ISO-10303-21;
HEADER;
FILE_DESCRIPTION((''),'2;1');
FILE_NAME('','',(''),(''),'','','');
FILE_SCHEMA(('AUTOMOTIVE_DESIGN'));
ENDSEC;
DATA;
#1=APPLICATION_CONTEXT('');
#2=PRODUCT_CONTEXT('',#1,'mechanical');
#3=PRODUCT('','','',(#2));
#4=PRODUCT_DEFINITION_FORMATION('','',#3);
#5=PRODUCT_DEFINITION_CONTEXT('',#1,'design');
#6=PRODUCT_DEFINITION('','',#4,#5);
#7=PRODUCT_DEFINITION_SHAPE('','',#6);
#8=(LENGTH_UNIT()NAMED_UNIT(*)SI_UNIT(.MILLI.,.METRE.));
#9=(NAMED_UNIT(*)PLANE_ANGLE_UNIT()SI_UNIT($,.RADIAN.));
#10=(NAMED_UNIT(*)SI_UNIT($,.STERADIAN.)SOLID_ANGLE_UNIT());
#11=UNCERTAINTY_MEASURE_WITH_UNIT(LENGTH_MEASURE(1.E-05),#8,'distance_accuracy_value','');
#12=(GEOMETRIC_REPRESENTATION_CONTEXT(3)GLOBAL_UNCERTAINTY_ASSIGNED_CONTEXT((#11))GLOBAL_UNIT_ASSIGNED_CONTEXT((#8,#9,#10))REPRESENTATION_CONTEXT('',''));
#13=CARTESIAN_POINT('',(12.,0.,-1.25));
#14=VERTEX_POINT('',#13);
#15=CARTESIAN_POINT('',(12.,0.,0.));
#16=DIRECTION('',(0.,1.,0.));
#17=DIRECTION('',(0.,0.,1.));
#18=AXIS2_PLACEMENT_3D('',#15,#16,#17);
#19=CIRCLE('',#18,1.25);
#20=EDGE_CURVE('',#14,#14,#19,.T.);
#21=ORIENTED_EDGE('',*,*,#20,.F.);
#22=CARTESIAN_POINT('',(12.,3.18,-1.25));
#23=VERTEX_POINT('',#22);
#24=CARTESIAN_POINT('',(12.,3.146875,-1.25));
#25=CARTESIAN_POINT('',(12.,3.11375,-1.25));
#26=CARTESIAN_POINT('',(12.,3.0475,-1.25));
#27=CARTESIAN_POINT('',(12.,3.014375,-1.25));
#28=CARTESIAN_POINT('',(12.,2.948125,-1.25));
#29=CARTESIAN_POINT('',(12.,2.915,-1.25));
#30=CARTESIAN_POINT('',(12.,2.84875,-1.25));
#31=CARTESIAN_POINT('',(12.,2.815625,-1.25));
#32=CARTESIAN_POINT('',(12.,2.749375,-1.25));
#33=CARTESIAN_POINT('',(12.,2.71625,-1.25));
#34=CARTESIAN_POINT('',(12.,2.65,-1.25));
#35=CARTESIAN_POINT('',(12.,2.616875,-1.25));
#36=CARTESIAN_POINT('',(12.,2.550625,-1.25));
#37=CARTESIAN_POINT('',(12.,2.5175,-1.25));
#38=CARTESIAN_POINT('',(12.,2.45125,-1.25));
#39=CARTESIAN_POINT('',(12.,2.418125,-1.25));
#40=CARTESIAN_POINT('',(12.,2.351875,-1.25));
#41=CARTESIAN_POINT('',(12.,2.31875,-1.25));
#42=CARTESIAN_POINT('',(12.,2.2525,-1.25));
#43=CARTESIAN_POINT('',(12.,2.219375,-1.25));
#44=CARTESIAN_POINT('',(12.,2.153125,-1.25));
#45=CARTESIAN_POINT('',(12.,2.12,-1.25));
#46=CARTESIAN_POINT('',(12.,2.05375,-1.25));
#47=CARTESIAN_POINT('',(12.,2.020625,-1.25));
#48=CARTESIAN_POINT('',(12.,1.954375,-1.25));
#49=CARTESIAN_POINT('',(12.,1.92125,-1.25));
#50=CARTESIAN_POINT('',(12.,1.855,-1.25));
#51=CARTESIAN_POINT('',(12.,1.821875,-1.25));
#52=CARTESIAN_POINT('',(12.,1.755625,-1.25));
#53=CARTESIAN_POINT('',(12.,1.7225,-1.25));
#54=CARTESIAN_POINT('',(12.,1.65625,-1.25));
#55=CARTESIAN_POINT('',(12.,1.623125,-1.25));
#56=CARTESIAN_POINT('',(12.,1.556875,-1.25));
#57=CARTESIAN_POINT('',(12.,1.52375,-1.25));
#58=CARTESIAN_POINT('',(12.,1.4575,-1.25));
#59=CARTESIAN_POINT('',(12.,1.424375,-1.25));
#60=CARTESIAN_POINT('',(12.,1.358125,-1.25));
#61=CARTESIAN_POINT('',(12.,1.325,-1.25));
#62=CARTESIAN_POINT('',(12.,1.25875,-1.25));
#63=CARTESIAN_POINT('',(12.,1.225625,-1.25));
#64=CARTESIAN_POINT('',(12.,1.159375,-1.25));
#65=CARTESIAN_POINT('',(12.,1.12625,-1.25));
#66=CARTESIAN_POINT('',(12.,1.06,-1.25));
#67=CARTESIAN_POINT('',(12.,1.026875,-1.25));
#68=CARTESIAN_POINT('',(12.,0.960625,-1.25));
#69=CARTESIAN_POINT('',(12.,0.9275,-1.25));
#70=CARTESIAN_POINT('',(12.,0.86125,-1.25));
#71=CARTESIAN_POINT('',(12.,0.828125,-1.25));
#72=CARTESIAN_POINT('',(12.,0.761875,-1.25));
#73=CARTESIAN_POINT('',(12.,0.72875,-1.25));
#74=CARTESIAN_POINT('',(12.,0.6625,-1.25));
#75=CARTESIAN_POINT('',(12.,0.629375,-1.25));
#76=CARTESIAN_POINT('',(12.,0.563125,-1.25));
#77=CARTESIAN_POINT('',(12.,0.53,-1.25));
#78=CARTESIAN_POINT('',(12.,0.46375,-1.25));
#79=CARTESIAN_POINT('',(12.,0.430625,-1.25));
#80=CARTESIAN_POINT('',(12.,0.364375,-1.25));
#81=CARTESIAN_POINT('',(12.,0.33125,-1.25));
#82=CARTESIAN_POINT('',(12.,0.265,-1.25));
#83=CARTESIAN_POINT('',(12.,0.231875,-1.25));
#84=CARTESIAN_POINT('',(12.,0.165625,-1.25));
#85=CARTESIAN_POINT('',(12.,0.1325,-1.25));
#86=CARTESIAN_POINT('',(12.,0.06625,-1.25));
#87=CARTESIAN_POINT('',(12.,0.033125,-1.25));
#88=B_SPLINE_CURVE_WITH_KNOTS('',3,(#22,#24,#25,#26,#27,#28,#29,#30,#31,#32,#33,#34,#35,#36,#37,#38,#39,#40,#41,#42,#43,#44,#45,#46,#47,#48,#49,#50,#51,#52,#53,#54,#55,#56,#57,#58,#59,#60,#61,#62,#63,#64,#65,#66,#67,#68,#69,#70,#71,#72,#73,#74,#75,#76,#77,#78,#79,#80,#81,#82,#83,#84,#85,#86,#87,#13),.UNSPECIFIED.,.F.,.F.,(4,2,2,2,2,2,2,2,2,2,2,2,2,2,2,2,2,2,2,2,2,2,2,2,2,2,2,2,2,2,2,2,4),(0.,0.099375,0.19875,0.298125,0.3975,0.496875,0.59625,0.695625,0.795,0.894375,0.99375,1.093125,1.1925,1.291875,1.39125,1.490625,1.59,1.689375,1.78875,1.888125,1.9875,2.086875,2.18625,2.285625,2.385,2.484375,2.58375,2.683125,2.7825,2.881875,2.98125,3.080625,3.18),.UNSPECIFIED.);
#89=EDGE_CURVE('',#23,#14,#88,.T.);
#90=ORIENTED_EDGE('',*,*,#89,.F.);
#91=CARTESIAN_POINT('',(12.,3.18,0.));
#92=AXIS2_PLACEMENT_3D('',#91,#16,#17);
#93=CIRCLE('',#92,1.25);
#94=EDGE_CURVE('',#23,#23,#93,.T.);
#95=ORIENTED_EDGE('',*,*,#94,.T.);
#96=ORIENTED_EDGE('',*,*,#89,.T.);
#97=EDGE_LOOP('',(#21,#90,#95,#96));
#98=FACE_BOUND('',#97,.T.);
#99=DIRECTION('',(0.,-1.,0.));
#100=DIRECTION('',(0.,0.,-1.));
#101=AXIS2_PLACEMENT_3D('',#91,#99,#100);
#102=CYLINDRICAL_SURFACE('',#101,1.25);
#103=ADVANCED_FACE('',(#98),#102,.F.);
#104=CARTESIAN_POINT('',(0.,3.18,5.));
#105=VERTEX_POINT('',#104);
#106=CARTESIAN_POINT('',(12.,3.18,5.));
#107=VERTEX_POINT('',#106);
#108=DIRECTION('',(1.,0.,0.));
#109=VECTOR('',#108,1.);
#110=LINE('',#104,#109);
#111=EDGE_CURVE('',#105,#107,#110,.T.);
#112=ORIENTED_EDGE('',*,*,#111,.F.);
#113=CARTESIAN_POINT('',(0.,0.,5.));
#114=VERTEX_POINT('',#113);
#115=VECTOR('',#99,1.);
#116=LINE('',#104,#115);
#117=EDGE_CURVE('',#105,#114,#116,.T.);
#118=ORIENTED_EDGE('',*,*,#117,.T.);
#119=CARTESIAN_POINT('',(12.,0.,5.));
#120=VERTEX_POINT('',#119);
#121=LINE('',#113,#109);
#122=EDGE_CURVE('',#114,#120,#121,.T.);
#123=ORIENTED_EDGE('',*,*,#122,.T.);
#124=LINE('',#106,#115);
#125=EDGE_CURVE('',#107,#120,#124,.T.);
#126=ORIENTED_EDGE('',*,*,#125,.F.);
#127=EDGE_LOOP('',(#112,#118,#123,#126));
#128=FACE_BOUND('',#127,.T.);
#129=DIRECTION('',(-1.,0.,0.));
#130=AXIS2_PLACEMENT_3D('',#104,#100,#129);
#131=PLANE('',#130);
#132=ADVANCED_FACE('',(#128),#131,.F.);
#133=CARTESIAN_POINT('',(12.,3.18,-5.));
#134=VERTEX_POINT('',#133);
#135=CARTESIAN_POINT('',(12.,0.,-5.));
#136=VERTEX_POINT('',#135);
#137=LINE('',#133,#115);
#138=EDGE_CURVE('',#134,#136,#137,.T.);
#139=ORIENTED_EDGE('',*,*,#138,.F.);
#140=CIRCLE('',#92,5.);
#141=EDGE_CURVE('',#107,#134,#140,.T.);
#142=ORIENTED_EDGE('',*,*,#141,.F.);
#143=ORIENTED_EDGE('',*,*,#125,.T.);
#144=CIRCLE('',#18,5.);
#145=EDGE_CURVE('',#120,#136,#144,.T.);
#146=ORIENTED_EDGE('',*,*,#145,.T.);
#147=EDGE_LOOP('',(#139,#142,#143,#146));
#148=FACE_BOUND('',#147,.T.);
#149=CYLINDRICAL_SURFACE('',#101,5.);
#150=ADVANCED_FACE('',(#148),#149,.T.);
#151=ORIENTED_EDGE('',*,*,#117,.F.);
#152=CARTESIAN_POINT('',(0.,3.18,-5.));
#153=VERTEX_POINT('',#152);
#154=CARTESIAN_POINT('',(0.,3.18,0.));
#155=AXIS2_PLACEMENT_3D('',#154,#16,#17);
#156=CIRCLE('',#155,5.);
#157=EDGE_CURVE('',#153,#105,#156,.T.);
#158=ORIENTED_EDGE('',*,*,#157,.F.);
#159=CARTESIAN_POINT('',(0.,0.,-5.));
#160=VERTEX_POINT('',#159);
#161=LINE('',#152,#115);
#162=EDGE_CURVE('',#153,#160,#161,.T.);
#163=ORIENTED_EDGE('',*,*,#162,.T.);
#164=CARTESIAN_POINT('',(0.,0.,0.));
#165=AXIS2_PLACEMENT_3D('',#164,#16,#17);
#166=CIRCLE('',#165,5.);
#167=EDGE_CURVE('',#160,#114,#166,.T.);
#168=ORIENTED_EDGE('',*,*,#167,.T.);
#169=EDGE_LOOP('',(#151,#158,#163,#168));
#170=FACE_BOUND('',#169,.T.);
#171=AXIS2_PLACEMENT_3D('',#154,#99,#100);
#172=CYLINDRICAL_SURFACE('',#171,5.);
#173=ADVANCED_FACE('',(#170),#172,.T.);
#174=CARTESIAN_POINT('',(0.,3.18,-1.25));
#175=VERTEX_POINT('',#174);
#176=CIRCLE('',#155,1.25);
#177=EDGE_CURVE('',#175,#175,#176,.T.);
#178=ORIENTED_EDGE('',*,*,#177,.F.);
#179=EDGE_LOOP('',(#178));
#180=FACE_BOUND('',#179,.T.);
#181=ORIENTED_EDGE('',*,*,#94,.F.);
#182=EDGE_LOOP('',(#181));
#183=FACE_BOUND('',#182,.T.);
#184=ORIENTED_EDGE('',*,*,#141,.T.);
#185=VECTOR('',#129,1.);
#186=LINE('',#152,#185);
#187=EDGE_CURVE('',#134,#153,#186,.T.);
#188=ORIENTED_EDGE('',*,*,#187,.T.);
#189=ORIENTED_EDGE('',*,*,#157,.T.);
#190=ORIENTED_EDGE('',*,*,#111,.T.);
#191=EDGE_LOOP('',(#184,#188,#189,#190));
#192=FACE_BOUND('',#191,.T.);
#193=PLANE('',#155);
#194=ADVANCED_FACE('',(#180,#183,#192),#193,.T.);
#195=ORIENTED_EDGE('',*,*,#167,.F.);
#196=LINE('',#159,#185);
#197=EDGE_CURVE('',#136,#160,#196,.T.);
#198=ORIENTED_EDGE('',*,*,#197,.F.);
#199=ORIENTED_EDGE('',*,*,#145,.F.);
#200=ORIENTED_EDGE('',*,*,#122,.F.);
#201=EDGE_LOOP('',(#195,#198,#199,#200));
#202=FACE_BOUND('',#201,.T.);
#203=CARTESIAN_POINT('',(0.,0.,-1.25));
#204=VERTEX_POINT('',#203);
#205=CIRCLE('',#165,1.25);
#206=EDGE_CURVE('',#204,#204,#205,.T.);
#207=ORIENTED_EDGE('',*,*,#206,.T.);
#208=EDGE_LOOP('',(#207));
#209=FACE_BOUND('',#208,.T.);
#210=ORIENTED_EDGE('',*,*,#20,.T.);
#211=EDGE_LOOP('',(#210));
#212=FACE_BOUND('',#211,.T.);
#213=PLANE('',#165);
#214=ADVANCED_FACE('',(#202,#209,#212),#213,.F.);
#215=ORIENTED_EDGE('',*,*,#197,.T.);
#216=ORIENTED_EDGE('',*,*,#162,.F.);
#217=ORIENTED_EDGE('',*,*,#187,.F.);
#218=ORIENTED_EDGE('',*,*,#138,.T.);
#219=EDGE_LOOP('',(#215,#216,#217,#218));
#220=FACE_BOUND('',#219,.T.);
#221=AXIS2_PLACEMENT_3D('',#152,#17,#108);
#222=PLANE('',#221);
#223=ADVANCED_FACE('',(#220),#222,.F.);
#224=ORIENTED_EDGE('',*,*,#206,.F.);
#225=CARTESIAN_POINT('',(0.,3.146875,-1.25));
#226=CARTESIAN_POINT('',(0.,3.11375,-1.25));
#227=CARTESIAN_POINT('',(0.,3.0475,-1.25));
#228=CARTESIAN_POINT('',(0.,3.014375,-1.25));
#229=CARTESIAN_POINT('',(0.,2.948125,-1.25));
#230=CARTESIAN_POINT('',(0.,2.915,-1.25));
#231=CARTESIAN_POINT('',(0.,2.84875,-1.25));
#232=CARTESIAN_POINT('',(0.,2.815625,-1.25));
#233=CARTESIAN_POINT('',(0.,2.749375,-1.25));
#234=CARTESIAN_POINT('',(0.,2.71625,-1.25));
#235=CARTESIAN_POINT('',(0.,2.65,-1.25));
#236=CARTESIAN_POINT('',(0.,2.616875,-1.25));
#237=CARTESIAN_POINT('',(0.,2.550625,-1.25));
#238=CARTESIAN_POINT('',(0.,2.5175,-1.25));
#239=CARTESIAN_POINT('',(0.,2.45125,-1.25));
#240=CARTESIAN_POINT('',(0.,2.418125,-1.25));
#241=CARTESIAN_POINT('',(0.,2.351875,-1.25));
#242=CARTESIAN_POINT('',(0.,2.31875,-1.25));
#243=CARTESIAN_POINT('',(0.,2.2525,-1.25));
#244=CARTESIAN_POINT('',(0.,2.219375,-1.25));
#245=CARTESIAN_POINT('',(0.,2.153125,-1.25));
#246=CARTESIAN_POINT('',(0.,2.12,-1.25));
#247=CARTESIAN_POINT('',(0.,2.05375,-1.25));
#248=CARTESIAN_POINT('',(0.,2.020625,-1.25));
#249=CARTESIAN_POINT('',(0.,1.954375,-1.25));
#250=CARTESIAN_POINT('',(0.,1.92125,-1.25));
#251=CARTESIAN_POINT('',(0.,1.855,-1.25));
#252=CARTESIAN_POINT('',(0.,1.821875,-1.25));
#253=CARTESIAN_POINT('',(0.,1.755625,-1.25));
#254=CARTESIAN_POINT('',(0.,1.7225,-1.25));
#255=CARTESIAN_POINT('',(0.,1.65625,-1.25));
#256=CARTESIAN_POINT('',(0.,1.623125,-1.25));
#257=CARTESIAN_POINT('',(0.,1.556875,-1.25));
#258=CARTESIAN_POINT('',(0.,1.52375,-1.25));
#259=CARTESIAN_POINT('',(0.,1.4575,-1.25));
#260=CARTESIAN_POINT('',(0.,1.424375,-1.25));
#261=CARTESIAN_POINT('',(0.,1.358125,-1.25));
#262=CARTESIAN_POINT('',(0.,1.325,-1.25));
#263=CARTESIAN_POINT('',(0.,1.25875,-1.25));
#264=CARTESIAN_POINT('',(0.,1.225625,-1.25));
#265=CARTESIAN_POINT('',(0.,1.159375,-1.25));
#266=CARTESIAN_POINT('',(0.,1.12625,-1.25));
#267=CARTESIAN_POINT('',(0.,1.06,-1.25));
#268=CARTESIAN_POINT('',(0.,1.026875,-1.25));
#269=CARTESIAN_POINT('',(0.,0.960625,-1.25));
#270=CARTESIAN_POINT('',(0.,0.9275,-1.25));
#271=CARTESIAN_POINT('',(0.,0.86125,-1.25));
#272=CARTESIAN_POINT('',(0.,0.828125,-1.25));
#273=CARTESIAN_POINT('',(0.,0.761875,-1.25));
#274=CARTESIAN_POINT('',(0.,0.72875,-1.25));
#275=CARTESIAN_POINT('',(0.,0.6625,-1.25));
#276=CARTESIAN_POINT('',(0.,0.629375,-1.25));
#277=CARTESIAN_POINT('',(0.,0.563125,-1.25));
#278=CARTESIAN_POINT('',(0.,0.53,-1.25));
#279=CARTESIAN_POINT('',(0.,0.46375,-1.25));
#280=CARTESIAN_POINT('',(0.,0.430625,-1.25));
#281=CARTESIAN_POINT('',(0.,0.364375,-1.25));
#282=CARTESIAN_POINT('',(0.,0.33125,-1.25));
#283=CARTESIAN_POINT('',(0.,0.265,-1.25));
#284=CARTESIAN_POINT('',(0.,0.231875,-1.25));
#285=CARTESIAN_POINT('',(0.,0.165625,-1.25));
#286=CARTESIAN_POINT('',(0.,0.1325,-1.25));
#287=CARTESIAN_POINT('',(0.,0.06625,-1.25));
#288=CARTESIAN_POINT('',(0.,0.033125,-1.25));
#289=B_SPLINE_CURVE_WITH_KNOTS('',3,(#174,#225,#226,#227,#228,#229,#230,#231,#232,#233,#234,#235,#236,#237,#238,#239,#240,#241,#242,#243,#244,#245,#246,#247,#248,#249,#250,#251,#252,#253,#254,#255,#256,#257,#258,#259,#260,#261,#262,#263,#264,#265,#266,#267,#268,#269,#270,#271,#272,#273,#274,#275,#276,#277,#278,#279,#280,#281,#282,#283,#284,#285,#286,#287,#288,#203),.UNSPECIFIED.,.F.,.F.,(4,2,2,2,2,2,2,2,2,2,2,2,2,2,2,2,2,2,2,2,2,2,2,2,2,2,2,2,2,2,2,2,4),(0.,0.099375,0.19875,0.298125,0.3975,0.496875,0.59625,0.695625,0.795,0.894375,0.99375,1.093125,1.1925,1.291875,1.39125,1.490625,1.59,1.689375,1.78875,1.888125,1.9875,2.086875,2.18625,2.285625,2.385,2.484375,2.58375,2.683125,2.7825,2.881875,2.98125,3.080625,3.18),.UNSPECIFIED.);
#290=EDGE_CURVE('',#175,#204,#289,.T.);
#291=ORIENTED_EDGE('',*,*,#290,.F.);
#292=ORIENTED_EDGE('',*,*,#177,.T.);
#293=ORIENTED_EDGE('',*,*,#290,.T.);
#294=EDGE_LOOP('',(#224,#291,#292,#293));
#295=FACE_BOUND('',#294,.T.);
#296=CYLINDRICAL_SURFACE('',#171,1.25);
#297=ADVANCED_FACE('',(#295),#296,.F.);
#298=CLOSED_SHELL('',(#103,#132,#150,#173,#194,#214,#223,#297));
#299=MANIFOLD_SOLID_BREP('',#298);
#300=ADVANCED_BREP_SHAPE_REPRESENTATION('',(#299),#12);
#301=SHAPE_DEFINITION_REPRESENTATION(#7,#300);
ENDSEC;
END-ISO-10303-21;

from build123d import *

# Parameters (mm, degrees)
SKETCH1_R           = 1.25
BOSS_EXTRUDE1_DEPTH = 3.18


with BuildPart() as part:
    # Sketch1 → Boss-Extrude1 (new body)
    with BuildSketch(Plane(origin=(0, 0, 0), x_dir=(1, 0, 0), z_dir=(0, 1, 0))):
        with BuildLine():
            Line((0, 5), (12, 5))
            ThreePointArc((12, 5), (17, 0), (12, -5))
            Line((12, -5), (0, -5))
            ThreePointArc((0, -5), (-5, 0), (0, 5))
        make_face()
        with Locations(Location((0, 0, 0), (0, 0, 90))):
            Circle(SKETCH1_R, mode=Mode.SUBTRACT)
        with Locations(Location((12, 0, 0), (0, 0, 90))):
            Circle(SKETCH1_R, mode=Mode.SUBTRACT)
    extrude(amount=BOSS_EXTRUDE1_DEPTH)


solid = part.part
